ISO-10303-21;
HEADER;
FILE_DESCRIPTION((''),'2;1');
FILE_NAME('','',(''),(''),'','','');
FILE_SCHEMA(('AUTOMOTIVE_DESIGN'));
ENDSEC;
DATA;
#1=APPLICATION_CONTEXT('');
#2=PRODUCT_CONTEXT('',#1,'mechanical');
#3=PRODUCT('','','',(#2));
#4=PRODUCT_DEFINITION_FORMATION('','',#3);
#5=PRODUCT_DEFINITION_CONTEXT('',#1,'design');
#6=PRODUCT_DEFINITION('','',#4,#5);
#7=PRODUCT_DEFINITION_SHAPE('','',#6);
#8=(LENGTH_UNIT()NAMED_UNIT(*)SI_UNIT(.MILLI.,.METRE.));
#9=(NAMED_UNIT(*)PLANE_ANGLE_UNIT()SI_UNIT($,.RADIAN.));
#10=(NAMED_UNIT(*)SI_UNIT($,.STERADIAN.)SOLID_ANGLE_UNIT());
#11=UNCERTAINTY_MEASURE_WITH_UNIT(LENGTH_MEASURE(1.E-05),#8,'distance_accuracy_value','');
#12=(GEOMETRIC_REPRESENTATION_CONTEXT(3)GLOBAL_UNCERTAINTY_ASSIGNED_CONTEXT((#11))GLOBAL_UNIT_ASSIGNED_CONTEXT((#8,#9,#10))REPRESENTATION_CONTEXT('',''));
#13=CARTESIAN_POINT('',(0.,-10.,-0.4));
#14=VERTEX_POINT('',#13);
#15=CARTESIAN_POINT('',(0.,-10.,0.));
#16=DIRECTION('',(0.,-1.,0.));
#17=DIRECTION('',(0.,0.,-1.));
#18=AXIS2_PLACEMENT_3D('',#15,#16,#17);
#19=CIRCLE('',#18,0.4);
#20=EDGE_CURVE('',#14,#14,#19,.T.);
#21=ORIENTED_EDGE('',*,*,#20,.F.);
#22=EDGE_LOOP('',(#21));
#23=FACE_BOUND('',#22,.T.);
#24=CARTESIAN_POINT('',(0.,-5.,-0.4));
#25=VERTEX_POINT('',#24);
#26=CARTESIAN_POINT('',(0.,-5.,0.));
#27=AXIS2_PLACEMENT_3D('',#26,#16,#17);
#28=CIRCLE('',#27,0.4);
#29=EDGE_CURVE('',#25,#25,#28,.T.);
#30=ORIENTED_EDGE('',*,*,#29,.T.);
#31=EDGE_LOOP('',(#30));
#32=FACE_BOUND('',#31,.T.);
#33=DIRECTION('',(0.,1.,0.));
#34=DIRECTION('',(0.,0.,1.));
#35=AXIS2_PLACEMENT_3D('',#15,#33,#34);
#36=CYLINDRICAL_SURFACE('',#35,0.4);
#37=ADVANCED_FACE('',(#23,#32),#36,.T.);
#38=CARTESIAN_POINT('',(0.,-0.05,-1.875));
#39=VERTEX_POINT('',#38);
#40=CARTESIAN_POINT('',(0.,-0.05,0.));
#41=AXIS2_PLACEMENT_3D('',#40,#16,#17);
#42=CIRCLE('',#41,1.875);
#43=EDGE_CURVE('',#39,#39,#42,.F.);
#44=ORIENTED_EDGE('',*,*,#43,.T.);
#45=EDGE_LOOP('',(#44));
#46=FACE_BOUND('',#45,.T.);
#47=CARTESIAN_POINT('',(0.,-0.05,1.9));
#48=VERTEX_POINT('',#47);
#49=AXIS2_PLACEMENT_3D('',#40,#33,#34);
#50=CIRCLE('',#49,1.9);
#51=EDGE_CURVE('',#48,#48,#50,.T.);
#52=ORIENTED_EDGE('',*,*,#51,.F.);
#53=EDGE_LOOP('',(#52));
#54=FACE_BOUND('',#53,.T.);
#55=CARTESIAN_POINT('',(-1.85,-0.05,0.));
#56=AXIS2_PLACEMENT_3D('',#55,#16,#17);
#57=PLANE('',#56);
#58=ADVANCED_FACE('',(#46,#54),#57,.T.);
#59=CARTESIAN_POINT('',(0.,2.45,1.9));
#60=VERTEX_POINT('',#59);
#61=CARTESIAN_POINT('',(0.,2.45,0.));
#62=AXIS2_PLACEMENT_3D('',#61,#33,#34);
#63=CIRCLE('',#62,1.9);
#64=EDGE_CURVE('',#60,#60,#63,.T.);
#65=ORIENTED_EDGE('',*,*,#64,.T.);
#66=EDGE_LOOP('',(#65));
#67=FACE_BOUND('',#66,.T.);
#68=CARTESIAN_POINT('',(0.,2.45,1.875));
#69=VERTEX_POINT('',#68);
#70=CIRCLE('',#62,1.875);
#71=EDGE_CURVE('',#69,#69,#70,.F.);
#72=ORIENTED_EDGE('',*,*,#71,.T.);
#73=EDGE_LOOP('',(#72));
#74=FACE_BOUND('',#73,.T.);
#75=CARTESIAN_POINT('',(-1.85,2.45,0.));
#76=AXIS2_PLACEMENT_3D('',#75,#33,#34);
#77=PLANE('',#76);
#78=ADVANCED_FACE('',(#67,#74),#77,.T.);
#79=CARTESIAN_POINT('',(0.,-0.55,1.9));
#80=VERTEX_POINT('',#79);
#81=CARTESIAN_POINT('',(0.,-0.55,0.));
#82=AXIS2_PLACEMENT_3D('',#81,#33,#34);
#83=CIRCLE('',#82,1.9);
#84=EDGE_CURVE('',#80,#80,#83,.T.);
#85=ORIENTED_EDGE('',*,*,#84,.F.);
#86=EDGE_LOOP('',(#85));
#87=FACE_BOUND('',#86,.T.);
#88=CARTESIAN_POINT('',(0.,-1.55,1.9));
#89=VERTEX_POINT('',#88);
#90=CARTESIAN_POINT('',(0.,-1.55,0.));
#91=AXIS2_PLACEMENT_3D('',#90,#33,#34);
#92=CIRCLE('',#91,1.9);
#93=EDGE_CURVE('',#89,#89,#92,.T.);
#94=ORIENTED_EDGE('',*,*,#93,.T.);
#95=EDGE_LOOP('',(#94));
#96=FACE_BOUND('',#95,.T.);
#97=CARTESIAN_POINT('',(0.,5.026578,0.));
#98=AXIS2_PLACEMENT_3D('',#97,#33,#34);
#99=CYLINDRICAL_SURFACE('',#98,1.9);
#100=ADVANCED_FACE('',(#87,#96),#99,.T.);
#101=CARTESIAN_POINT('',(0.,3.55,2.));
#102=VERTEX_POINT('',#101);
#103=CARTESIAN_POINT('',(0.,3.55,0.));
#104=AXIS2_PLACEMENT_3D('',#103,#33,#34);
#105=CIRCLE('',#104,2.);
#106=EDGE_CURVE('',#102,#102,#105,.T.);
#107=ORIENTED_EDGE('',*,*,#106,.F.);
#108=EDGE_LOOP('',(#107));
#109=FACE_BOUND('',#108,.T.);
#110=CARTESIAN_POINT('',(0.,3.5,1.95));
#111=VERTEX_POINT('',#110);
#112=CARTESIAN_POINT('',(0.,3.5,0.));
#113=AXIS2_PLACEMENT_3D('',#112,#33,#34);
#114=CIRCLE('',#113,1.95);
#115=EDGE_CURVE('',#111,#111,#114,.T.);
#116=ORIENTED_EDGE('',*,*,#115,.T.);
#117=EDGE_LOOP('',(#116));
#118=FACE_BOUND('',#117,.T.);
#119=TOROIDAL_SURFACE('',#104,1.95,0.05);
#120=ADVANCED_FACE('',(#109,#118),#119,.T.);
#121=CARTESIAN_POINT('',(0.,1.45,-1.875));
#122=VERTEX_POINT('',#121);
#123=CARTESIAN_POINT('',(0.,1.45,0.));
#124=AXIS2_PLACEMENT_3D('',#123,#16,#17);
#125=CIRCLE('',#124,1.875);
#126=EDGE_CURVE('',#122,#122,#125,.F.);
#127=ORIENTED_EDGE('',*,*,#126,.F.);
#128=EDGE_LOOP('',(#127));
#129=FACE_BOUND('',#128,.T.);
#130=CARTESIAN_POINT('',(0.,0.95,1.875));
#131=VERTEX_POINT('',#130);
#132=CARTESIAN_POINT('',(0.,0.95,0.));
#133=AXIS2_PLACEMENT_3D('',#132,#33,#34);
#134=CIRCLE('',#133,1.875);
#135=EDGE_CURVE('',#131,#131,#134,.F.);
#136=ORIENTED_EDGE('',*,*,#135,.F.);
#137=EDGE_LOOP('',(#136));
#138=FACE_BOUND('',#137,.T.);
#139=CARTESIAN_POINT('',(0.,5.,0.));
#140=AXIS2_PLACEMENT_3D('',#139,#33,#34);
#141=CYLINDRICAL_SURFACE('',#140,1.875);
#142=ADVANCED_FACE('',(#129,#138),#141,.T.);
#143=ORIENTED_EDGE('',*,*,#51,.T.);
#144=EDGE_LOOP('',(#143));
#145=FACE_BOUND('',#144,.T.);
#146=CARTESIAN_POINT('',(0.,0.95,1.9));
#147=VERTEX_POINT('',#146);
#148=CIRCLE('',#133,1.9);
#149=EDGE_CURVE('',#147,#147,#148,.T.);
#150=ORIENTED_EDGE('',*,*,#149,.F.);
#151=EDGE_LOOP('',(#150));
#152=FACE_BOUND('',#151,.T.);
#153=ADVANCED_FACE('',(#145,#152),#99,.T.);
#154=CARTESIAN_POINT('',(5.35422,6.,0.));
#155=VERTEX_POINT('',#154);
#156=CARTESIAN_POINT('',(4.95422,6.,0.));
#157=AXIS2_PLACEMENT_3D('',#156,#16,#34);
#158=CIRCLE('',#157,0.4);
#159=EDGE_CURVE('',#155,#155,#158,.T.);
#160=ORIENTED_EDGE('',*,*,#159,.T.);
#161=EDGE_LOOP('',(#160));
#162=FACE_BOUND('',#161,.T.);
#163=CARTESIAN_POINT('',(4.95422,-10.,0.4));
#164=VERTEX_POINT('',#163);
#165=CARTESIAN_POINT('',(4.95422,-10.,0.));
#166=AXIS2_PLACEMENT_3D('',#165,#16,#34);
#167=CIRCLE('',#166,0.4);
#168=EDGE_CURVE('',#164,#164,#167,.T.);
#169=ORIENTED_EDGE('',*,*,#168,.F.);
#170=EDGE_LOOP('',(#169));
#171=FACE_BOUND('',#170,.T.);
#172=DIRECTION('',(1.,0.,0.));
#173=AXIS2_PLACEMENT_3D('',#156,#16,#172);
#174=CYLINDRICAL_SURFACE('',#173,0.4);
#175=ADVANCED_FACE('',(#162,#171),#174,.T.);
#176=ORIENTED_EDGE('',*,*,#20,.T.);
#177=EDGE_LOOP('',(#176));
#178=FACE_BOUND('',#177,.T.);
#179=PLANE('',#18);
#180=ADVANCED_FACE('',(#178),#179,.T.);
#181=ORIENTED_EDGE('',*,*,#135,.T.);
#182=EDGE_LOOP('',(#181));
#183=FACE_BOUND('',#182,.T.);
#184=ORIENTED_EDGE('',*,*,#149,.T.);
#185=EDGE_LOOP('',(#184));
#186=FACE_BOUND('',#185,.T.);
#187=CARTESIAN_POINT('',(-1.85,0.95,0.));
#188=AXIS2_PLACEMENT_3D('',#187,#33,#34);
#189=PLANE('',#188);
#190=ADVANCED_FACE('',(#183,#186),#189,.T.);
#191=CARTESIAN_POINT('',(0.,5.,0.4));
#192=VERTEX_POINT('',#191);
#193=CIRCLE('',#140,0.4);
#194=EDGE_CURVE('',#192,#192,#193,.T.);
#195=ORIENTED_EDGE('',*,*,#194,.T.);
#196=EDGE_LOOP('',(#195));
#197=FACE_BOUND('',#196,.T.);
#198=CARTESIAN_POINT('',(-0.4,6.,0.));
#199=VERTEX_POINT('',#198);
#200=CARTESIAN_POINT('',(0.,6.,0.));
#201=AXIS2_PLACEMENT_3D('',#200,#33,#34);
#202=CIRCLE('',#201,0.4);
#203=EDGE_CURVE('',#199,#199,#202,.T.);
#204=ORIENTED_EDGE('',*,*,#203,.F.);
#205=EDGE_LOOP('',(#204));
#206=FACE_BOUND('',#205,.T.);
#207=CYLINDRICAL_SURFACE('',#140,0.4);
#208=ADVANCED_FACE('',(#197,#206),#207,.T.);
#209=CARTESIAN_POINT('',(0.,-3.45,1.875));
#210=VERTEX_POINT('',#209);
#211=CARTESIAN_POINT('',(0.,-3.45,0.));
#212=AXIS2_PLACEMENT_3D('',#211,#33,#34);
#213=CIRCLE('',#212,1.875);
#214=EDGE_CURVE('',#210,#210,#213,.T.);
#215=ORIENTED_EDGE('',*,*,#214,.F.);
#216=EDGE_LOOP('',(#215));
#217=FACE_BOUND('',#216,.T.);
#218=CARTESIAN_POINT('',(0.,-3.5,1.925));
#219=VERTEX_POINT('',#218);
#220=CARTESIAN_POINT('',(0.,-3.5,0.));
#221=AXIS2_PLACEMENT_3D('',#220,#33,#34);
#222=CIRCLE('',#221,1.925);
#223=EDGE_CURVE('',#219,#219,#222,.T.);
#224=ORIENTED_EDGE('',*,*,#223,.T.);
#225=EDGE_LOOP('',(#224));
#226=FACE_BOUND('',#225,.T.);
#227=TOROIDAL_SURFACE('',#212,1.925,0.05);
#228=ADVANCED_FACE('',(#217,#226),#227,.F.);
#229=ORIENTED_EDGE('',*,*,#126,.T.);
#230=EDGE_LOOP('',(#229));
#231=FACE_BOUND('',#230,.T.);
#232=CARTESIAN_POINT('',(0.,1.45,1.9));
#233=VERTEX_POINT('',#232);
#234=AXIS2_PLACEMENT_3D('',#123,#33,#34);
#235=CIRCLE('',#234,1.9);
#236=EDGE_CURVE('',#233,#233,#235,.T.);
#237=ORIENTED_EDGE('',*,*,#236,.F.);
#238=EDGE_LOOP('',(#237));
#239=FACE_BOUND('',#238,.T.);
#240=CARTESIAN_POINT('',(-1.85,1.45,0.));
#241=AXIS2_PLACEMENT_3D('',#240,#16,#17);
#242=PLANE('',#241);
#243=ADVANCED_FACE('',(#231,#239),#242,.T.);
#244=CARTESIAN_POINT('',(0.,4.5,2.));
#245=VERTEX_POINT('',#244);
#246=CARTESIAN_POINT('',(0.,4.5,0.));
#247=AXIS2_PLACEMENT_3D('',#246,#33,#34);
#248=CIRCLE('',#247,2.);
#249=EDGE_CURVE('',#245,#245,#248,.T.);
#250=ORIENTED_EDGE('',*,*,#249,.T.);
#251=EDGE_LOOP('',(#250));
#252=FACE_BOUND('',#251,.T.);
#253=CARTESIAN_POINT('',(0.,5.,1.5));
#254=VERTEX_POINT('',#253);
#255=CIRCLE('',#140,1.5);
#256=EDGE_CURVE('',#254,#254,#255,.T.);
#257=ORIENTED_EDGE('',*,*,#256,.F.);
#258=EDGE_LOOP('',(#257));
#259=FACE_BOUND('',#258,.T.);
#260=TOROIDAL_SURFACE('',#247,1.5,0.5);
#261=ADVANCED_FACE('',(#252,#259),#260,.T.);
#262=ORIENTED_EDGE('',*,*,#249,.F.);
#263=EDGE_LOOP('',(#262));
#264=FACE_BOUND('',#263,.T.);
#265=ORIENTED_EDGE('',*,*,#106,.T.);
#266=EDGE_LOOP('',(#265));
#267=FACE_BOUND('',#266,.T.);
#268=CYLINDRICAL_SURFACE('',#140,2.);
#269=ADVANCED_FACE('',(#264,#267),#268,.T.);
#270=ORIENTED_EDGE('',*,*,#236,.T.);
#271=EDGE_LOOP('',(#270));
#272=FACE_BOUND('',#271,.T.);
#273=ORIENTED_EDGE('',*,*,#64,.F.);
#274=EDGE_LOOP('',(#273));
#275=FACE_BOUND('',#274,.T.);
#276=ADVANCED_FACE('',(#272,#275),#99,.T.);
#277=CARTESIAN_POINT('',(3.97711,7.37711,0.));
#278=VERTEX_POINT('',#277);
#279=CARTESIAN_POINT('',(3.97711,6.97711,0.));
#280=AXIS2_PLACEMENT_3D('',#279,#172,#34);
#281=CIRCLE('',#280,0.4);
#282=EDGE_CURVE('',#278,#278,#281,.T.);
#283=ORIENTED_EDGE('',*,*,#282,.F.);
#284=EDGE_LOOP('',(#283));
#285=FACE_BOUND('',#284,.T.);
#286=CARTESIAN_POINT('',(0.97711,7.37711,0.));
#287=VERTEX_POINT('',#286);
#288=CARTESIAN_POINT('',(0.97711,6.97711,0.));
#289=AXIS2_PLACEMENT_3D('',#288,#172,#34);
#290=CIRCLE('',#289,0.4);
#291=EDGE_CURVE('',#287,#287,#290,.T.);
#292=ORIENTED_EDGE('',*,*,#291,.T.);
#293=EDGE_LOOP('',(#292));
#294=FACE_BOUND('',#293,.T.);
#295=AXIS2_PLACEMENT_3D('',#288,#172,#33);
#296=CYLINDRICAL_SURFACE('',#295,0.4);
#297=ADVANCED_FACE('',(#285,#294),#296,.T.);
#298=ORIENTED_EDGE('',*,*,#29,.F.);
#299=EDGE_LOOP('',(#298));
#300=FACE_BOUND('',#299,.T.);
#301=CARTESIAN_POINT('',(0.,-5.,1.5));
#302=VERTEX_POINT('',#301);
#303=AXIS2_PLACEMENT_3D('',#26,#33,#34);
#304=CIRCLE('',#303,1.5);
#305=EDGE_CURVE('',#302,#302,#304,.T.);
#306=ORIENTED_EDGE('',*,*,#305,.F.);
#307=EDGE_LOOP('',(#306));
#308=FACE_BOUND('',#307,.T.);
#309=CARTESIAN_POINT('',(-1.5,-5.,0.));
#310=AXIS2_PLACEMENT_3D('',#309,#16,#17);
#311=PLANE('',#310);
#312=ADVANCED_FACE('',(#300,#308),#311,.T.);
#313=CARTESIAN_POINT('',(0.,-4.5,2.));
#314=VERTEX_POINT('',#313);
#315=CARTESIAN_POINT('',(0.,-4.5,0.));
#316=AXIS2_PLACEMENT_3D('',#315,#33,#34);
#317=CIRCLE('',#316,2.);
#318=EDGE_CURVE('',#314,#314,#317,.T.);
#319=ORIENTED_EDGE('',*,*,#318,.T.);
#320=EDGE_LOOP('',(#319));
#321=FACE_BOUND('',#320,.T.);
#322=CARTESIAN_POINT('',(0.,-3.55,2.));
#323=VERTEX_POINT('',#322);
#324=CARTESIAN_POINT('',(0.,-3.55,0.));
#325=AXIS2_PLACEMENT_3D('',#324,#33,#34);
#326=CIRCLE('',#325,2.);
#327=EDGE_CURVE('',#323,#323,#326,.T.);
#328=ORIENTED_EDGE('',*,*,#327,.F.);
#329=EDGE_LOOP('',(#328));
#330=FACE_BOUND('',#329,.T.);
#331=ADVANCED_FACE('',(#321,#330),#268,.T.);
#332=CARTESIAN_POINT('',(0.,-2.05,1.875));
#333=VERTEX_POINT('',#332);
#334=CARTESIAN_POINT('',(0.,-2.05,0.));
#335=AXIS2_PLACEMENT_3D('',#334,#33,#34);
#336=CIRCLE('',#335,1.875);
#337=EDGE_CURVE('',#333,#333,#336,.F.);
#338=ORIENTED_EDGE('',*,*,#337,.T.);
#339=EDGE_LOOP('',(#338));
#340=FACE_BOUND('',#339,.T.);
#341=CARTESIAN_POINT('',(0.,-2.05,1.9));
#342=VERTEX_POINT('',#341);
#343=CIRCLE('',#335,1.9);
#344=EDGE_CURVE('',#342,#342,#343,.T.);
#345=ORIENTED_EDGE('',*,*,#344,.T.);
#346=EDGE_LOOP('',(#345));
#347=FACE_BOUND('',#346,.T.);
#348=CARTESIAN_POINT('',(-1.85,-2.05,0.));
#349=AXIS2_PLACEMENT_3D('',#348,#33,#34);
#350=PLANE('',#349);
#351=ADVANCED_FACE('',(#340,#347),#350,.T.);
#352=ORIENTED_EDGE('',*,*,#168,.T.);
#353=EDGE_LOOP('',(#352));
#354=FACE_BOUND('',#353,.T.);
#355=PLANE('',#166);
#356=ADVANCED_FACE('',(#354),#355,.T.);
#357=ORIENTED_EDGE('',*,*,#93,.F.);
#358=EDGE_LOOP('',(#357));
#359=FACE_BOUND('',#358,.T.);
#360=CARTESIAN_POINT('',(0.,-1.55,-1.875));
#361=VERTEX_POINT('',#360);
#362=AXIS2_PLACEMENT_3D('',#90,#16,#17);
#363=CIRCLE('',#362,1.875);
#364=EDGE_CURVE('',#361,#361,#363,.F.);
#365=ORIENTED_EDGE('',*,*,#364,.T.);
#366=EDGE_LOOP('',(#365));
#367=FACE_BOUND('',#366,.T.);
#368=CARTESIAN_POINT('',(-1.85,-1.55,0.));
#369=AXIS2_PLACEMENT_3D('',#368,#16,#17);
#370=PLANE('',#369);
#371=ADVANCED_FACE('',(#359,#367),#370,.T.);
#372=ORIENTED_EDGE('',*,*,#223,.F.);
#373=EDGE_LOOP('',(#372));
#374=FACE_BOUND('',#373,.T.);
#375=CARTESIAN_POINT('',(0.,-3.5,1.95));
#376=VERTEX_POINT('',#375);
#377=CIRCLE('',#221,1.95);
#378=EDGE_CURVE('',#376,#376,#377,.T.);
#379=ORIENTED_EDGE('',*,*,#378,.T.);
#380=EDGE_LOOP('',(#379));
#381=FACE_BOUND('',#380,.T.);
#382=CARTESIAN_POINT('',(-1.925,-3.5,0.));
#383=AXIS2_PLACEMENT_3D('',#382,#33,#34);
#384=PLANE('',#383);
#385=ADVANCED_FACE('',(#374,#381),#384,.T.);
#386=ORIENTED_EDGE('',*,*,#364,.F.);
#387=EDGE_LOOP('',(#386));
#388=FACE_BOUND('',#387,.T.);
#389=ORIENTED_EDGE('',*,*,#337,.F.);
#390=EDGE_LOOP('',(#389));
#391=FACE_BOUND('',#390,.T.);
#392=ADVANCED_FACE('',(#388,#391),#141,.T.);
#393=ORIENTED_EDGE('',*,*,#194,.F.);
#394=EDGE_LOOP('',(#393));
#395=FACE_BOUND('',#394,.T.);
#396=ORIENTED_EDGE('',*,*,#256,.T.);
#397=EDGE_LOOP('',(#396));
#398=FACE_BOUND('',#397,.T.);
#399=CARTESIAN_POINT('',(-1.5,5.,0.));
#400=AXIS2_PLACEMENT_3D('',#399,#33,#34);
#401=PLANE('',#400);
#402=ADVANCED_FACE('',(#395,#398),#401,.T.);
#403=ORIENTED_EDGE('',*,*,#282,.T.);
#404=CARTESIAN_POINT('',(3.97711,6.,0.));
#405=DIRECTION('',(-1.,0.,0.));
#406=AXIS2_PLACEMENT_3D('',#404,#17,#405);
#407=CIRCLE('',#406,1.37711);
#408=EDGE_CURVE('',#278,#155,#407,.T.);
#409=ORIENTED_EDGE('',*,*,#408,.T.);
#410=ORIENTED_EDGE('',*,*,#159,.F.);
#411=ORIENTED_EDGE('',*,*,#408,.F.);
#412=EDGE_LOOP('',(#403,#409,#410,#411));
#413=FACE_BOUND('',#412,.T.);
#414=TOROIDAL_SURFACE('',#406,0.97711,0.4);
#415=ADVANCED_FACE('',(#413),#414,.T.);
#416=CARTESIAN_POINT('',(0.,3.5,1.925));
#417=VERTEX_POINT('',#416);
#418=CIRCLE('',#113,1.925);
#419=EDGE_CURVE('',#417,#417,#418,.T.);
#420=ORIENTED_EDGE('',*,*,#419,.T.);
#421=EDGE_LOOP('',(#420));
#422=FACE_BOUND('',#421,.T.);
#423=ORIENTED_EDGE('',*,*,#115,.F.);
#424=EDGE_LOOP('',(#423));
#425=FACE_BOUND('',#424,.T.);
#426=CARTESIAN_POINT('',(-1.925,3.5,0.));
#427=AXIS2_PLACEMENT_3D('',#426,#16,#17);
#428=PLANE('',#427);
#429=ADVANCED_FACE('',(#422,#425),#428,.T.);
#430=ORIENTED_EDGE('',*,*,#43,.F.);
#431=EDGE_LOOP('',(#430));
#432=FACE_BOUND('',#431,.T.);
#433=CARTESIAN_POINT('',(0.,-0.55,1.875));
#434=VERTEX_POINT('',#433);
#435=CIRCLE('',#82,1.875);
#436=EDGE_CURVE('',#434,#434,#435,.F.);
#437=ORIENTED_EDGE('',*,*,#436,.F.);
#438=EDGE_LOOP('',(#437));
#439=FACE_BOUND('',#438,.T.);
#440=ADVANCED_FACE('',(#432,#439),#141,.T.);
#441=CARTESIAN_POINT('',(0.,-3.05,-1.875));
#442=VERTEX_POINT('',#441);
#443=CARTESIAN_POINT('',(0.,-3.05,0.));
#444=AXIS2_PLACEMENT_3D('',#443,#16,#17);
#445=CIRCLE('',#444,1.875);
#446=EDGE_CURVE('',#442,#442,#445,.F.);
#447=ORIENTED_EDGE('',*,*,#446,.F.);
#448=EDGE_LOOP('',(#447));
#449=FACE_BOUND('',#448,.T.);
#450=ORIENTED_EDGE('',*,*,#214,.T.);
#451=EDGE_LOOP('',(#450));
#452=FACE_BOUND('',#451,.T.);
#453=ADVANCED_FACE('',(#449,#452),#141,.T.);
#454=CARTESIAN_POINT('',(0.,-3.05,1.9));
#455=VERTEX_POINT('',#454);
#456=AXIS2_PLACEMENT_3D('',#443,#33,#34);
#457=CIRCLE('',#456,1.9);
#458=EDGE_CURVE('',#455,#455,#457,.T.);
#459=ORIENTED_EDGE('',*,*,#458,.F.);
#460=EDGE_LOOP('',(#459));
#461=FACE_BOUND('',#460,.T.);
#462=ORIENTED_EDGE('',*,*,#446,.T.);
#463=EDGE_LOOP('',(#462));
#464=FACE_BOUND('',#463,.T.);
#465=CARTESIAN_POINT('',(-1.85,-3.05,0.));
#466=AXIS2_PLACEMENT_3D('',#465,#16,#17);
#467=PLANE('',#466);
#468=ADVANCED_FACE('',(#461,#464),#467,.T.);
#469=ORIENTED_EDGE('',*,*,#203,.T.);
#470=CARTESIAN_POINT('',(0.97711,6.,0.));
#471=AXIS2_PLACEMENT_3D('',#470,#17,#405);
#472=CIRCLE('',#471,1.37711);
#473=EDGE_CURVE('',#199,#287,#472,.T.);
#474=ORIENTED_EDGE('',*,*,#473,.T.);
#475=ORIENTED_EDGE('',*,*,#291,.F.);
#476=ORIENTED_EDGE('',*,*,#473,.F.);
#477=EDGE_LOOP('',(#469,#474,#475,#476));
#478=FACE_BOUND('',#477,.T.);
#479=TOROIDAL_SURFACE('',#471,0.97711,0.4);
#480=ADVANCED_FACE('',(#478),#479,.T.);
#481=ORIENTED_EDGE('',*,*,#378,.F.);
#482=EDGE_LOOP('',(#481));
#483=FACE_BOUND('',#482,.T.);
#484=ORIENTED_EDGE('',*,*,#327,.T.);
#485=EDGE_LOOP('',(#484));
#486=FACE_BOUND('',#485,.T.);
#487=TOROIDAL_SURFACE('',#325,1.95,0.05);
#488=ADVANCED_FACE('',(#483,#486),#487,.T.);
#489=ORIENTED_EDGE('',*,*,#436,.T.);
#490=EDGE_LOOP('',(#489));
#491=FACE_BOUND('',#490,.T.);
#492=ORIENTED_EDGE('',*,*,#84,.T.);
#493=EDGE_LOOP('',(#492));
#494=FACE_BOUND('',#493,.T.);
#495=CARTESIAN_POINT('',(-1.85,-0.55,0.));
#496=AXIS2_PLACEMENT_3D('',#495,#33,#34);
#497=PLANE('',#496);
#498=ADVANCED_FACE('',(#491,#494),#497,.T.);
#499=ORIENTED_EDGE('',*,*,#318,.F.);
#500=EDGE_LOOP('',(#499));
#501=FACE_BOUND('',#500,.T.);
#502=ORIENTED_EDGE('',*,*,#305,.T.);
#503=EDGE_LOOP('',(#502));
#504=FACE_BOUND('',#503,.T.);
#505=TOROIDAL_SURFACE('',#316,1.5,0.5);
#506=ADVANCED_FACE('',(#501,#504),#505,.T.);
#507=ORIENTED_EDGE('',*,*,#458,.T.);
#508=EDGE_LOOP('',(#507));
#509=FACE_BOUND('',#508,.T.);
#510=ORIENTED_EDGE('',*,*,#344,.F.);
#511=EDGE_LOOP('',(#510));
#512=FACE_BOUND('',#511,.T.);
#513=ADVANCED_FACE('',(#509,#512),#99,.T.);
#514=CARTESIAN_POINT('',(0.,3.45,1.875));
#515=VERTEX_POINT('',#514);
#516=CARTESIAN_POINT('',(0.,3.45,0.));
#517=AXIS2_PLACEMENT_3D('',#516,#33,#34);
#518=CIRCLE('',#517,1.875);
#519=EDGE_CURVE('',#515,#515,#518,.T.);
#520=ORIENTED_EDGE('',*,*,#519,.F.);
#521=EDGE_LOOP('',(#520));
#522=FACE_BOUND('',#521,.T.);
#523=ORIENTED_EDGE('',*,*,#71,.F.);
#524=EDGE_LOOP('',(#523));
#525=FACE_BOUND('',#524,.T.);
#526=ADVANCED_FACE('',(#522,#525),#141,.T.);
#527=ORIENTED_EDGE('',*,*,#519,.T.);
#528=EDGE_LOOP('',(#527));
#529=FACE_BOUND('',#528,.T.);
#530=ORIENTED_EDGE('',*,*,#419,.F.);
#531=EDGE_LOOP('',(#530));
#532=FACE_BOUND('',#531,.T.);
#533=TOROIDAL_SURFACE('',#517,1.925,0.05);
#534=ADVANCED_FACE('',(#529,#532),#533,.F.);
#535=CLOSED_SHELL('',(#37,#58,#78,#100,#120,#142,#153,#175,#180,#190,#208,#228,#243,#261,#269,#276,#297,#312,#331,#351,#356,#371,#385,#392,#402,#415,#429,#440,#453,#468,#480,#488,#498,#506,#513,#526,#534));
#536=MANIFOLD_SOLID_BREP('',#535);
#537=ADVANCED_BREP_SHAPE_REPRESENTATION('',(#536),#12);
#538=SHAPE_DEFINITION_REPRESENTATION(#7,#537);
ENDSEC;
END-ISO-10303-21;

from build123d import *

# Parameters (mm, degrees)
ESQUISSE2_R        = 0.4
BOSS_EXTRU_1_DEPTH = 5
ESQUISSE3_R        = 0.4
ESQUISSE5_W        = 0.05
ESQUISSE5_H        = 1


with BuildPart() as part:
    # Esquisse1 → Révolution1 (revolve)
    with BuildSketch(Plane.XY, mode=Mode.PRIVATE) as r_volution1_sk:
        with BuildLine():
            Line((-2, 3.55), (-2, 4.5))
            ThreePointArc((-2, 4.5), (-1.853553391, 4.853553391), (-1.5, 5))
            Line((-1.5, 5), (0, 5))
            Line((0, 5), (0, -5))
            Line((0, -5), (-1.5, -5))
            ThreePointArc((-1.5, -5), (-1.853553391, -4.853553391), (-2, -4.5))
            Line((-2, -4.5), (-2, -3.55))
            ThreePointArc((-2, -3.55), (-1.985355339, -3.514644661), (-1.95, -3.5))
            Line((-1.95, -3.5), (-1.925, -3.5))
            ThreePointArc((-1.925, -3.5), (-1.889644661, -3.485355339), (-1.875, -3.45))
            Line((-1.875, -3.45), (-1.875, 3.45))
            ThreePointArc((-1.875, 3.45), (-1.889644661, 3.485355339), (-1.925, 3.5))
            Line((-1.925, 3.5), (-1.95, 3.5))
            ThreePointArc((-1.95, 3.5), (-1.985355339, 3.514644661), (-2, 3.55))
        make_face()
    revolve(r_volution1_sk.sketch.rotate(Axis((0, 5, 0), (0, -1, 0)), 270), axis=Axis((0, 5, 0), (0, -1, 0)))

    # Esquisse2 → Boss.-Extru.1 (add)
    with BuildSketch(Plane.XZ.offset(5)):
        with Locations(Location((0, 0, 0), (0, 0, 270))):
            Circle(ESQUISSE2_R)
    extrude(amount=BOSS_EXTRU_1_DEPTH)

    # Balayage1: sweep along a path in Esquisse4
    with BuildLine(Plane.XY) as balayage1_path:
        Line((-0.022890051, 5), (-0.022890051, 6))
        ThreePointArc((-0.022890051, 6), (0.270003168, 6.707106781), (0.977109949, 7))
        Line((0.977109949, 7), (3.977109949, 7))
        ThreePointArc((3.977109949, 7), (4.68421673, 6.707106781), (4.977109949, 6))
        Line((4.977109949, 6), (4.977109949, -10))
    # Esquisse3 → Balayage1 (sweep)
    with BuildSketch(Plane(origin=(0, 5, 0), x_dir=(1, 0, 0), z_dir=(0, 1, 0))):
        Circle(ESQUISSE3_R)
    sweep(path=balayage1_path.line)

    # Esquisse5 → Révolution2 (revolve)
    with BuildSketch(Plane.XY, mode=Mode.PRIVATE) as r_volution2_sk:
        with Locations((-1.875, 1.95)):
            Rectangle(ESQUISSE5_W, ESQUISSE5_H)
        with Locations((-1.875, 0.45)):
            Rectangle(ESQUISSE5_W, ESQUISSE5_H)
        with Locations((-1.875, -1.05)):
            Rectangle(ESQUISSE5_W, ESQUISSE5_H)
        with Locations((-1.875, -2.55)):
            Rectangle(ESQUISSE5_W, ESQUISSE5_H)
    revolve(r_volution2_sk.sketch.rotate(Axis((0, 5.026578042, 0), (0, -1, 0)), 270), axis=Axis((0, 5.026578042, 0), (0, -1, 0)))


solid = part.part
